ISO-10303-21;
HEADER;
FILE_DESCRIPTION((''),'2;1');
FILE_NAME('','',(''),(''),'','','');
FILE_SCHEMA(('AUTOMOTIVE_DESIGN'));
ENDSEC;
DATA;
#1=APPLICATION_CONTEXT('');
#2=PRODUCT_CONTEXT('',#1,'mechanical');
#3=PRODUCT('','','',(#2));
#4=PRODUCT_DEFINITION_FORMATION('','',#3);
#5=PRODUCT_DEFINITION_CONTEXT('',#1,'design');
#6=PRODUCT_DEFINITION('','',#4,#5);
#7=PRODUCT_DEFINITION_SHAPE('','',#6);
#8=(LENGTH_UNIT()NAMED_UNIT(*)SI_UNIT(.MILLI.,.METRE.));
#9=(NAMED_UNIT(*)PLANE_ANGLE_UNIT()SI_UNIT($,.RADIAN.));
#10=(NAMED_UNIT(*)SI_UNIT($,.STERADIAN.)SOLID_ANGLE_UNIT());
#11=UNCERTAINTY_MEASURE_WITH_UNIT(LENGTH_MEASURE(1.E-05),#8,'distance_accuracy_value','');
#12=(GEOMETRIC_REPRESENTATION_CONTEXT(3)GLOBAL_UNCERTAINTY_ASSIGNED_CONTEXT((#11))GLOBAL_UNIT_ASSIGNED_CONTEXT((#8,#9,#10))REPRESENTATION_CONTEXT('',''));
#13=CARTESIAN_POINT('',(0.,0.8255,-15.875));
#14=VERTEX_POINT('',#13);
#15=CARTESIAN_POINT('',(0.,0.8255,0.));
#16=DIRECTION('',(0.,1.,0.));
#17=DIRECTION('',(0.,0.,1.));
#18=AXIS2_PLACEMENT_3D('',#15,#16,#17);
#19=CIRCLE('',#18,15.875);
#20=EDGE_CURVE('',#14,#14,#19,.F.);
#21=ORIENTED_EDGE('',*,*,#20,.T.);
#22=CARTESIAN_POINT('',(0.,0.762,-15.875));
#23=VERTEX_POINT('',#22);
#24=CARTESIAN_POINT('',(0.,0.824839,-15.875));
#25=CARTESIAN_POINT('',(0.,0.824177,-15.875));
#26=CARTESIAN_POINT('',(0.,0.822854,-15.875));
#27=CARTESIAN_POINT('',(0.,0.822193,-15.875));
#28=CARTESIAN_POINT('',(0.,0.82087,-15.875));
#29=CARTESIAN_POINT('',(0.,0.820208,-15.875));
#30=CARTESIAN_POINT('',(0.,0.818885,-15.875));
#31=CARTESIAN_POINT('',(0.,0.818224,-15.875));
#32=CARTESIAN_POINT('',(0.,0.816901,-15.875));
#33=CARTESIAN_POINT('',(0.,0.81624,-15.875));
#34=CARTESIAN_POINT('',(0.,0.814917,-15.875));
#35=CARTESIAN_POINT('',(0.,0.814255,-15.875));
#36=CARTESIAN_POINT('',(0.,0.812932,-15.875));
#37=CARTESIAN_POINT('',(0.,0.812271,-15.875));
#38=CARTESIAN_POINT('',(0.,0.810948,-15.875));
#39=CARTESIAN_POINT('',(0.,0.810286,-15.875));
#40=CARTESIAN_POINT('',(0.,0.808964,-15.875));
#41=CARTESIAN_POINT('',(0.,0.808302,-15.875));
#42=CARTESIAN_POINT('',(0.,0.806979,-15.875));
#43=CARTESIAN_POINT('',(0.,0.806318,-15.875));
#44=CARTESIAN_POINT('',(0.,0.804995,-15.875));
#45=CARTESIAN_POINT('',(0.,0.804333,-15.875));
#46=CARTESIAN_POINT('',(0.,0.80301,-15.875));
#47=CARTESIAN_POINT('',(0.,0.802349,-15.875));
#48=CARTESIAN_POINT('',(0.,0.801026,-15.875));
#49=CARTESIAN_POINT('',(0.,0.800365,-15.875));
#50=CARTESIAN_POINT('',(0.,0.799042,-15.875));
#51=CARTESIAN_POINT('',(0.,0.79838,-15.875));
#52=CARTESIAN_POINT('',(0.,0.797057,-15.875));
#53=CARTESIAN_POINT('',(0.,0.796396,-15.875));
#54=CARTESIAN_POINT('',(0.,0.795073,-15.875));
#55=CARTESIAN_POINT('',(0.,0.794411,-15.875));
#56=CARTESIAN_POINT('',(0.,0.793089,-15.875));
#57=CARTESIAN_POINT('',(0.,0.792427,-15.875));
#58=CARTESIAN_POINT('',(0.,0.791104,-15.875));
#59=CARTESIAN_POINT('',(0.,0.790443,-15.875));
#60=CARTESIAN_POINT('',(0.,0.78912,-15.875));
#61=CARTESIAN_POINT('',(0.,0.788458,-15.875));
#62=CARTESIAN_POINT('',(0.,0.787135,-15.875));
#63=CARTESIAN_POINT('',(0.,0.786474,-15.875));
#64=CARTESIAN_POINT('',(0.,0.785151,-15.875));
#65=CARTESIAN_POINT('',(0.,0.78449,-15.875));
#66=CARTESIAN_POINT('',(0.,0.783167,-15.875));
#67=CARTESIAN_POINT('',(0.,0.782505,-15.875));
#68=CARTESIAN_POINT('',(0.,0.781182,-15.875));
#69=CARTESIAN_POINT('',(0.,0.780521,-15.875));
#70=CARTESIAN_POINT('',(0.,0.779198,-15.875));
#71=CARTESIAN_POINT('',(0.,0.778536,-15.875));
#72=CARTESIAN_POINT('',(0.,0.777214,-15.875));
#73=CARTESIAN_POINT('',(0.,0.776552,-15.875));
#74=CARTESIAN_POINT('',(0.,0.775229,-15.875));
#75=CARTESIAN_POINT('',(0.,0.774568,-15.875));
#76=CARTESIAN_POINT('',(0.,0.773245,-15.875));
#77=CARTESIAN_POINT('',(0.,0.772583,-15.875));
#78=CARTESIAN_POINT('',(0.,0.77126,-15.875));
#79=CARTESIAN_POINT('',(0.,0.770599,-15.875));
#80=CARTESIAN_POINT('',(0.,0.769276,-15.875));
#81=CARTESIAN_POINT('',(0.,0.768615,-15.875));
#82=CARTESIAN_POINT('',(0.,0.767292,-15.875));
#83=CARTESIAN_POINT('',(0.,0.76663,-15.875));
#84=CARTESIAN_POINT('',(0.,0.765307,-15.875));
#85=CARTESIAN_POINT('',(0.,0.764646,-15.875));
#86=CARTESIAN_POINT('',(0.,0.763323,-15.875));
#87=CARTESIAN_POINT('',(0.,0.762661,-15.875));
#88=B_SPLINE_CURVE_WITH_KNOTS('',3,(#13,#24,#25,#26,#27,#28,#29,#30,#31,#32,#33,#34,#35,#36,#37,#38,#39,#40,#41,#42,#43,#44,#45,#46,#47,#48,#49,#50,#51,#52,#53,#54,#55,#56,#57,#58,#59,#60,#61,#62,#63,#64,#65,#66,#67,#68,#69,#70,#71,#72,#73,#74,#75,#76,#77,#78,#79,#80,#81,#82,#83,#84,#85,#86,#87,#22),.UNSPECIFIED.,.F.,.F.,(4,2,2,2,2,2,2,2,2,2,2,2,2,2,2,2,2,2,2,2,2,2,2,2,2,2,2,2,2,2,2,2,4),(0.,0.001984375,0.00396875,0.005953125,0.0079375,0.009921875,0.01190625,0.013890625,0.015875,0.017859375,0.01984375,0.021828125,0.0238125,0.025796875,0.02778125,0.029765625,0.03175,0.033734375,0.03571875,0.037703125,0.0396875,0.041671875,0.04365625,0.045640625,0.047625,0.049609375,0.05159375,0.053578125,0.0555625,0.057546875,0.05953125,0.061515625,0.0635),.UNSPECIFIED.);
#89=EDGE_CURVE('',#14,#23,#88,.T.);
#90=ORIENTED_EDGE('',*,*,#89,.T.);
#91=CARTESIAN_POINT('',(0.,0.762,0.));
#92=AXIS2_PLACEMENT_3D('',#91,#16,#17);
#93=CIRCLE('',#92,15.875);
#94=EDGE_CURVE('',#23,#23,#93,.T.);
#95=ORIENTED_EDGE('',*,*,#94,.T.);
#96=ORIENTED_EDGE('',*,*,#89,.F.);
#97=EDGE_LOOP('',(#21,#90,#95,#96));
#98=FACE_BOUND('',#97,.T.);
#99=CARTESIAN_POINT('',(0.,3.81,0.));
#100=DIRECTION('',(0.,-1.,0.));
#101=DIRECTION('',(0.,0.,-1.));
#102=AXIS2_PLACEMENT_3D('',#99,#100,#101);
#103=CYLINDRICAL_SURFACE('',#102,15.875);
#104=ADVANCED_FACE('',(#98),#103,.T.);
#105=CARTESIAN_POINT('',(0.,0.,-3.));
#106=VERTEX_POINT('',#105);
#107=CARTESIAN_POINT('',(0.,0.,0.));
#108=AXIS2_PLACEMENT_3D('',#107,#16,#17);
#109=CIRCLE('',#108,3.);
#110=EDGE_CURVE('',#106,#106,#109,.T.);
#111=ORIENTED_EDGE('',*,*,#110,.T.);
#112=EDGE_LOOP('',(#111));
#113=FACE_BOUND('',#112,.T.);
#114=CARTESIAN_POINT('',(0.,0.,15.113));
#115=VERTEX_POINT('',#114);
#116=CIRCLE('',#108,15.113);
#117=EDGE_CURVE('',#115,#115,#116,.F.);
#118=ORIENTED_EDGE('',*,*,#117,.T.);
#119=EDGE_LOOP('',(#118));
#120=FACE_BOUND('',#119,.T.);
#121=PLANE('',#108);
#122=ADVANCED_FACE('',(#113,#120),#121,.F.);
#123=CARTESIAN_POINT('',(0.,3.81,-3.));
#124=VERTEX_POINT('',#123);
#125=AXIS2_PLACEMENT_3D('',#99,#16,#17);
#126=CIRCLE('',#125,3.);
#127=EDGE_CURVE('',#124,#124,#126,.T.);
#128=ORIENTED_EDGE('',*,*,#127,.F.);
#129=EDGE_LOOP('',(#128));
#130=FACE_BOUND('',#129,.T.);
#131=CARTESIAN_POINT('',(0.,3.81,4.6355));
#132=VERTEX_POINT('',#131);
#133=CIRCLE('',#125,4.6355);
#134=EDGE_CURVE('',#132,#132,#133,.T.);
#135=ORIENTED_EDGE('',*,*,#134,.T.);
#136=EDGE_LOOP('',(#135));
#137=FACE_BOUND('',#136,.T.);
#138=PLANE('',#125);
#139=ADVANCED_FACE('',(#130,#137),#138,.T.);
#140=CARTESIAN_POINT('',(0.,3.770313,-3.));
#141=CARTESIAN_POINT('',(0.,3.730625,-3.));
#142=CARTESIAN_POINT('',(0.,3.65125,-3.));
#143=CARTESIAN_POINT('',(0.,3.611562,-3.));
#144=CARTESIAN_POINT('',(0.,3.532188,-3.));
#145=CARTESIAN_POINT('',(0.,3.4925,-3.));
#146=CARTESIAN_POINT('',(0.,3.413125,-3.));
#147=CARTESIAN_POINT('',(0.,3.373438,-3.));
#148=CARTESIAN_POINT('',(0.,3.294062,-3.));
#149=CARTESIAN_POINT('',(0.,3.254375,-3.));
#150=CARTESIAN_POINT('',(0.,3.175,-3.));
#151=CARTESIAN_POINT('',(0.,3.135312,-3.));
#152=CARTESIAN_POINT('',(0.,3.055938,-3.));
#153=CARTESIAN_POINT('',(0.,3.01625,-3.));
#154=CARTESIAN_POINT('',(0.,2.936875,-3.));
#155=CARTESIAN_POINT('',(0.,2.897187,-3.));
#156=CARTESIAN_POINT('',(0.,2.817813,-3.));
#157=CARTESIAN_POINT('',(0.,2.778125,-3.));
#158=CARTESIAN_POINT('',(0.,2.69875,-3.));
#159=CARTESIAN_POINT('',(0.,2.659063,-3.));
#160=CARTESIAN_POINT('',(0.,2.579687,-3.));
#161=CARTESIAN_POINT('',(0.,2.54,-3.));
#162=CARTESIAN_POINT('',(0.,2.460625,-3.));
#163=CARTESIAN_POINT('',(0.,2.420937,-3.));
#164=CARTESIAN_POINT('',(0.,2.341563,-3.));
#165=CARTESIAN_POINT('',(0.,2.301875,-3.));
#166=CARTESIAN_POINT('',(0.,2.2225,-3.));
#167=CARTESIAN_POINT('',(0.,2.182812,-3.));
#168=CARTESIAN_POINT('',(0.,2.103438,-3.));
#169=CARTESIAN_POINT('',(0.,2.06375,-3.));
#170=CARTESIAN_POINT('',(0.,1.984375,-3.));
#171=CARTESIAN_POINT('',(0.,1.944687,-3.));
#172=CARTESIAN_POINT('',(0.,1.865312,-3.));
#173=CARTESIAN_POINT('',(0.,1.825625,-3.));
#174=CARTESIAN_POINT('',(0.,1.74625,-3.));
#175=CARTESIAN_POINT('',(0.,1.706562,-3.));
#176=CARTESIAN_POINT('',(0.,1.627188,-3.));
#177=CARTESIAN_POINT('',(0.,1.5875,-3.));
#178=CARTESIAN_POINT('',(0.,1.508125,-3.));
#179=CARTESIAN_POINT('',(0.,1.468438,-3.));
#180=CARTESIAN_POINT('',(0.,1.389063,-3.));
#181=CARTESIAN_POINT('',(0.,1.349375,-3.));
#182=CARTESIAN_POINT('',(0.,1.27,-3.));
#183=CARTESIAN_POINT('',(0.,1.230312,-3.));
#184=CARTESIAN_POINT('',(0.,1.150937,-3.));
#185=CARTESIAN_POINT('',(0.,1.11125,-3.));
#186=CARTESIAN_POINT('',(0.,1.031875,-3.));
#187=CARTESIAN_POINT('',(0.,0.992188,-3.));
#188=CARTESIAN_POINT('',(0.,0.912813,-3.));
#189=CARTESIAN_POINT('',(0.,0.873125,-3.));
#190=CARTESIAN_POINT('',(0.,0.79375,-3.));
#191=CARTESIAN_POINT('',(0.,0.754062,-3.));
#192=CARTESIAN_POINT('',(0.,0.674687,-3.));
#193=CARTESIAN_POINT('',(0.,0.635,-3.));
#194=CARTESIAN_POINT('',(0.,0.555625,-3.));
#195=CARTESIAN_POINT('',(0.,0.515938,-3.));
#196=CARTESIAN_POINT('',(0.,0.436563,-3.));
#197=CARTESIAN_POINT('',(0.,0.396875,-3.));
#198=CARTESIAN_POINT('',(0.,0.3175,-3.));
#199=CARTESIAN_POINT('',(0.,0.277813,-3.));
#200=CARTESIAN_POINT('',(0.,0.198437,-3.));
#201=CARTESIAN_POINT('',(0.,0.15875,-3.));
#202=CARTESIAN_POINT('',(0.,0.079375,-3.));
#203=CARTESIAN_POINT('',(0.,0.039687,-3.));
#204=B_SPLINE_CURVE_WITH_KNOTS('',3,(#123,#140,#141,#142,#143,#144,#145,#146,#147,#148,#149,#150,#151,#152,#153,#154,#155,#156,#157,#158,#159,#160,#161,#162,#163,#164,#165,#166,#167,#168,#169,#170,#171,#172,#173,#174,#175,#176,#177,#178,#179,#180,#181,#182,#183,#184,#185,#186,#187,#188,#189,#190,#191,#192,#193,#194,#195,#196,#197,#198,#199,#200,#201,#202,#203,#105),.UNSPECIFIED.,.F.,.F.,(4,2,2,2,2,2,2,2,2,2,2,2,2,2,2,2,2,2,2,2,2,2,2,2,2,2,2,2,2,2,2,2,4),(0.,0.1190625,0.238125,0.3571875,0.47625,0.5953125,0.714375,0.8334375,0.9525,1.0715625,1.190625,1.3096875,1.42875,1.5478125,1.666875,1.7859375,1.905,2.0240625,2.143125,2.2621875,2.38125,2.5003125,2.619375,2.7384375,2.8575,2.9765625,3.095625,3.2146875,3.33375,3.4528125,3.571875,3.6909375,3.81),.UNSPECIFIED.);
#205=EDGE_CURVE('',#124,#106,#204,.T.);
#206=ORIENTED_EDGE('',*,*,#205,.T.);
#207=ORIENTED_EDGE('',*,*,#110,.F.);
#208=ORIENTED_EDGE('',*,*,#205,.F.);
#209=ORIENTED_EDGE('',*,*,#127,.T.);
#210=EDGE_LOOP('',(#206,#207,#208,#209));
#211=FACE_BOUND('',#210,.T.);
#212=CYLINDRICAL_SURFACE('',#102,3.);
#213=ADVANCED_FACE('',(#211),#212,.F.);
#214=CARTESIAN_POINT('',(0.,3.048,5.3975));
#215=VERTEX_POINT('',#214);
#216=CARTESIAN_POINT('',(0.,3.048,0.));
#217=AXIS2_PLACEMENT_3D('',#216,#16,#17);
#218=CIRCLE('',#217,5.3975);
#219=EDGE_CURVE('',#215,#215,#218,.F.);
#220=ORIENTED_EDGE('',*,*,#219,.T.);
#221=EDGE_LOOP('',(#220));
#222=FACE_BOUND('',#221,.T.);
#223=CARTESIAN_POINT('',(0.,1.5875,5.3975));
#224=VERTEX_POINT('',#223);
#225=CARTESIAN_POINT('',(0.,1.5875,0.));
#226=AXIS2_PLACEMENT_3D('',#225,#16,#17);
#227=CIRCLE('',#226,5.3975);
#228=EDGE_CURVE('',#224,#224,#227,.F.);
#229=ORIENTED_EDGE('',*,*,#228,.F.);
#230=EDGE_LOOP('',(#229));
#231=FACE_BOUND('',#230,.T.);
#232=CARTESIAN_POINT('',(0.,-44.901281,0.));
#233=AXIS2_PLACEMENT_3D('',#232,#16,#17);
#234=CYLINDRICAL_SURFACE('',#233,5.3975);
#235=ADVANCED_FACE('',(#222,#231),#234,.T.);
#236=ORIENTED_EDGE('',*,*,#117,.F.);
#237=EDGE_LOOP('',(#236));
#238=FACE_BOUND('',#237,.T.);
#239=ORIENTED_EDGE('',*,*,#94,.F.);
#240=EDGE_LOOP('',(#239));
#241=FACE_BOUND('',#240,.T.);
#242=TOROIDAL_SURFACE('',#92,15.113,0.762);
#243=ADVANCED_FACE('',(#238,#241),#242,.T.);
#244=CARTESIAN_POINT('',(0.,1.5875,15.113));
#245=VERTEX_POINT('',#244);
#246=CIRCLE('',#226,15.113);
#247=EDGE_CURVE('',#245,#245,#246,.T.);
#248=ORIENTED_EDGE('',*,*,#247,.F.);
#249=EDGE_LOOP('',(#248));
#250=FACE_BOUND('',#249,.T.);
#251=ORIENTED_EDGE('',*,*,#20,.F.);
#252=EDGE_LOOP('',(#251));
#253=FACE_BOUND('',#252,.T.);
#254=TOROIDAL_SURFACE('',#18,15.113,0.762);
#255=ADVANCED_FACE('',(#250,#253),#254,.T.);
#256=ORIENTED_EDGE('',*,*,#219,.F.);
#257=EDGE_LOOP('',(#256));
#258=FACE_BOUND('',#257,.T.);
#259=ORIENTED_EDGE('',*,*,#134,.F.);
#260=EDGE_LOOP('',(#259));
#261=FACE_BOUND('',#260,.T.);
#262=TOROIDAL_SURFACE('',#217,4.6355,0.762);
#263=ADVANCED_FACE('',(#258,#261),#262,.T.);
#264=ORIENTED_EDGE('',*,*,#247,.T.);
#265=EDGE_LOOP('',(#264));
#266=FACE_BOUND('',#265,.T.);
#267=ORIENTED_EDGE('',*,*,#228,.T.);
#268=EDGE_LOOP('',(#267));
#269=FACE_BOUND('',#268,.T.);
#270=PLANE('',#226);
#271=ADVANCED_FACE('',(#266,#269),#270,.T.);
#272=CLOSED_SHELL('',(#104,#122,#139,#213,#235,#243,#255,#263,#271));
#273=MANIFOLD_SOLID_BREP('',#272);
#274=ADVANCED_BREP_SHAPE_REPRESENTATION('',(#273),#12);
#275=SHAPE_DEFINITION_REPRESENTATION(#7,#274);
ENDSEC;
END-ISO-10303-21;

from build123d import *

# Parameters (mm, degrees)
SKETCH1_R           = 15.875
SKETCH1_R_2         = 3
BOSS_EXTRUDE1_DEPTH = 3.81
CUT_EXTRUDE1_START  = -2.2225
SKETCH2_R           = 15.875
SKETCH2_R_2         = 5.3975
CUT_EXTRUDE1_DEPTH  = 2.2225
FILLET1_R           = 0.762


with BuildPart() as part:
    # Sketch1 → Boss-Extrude1 (new body)
    with BuildSketch(Plane(origin=(0, 0, 0), x_dir=(1, 0, 0), z_dir=(0, 1, 0))):
        with Locations(Location((0, 0, 0), (0, 0, 90))):
            Circle(SKETCH1_R)
        with Locations(Location((0, 0, 0), (0, 0, 90))):
            Circle(SKETCH1_R_2, mode=Mode.SUBTRACT)
    extrude(amount=BOSS_EXTRUDE1_DEPTH)

    # Sketch2 → Cut-Extrude1 (cut)
    with BuildSketch(Plane(origin=(0, 3.81, 0), x_dir=(1, 0, 0), z_dir=(0, 1, 0)).offset(CUT_EXTRUDE1_START)):
        with Locations(Location((0, 0, 0), (0, 0, 90))):
            Circle(SKETCH2_R)
        with Locations(Location((0, 0, 0), (0, 0, 270))):
            Circle(SKETCH2_R_2, mode=Mode.SUBTRACT)
    extrude(amount=CUT_EXTRUDE1_DEPTH, mode=Mode.SUBTRACT)

    # Fillet1
    fillet1_edges = [part.edges().sort_by_distance(p)[0] for p in [
        (0, 3.81, -5.3975),
        (0, 1.5875, 15.875),
        (0, 0, 15.875),
    ]]
    fillet(fillet1_edges, radius=FILLET1_R)


solid = part.part
